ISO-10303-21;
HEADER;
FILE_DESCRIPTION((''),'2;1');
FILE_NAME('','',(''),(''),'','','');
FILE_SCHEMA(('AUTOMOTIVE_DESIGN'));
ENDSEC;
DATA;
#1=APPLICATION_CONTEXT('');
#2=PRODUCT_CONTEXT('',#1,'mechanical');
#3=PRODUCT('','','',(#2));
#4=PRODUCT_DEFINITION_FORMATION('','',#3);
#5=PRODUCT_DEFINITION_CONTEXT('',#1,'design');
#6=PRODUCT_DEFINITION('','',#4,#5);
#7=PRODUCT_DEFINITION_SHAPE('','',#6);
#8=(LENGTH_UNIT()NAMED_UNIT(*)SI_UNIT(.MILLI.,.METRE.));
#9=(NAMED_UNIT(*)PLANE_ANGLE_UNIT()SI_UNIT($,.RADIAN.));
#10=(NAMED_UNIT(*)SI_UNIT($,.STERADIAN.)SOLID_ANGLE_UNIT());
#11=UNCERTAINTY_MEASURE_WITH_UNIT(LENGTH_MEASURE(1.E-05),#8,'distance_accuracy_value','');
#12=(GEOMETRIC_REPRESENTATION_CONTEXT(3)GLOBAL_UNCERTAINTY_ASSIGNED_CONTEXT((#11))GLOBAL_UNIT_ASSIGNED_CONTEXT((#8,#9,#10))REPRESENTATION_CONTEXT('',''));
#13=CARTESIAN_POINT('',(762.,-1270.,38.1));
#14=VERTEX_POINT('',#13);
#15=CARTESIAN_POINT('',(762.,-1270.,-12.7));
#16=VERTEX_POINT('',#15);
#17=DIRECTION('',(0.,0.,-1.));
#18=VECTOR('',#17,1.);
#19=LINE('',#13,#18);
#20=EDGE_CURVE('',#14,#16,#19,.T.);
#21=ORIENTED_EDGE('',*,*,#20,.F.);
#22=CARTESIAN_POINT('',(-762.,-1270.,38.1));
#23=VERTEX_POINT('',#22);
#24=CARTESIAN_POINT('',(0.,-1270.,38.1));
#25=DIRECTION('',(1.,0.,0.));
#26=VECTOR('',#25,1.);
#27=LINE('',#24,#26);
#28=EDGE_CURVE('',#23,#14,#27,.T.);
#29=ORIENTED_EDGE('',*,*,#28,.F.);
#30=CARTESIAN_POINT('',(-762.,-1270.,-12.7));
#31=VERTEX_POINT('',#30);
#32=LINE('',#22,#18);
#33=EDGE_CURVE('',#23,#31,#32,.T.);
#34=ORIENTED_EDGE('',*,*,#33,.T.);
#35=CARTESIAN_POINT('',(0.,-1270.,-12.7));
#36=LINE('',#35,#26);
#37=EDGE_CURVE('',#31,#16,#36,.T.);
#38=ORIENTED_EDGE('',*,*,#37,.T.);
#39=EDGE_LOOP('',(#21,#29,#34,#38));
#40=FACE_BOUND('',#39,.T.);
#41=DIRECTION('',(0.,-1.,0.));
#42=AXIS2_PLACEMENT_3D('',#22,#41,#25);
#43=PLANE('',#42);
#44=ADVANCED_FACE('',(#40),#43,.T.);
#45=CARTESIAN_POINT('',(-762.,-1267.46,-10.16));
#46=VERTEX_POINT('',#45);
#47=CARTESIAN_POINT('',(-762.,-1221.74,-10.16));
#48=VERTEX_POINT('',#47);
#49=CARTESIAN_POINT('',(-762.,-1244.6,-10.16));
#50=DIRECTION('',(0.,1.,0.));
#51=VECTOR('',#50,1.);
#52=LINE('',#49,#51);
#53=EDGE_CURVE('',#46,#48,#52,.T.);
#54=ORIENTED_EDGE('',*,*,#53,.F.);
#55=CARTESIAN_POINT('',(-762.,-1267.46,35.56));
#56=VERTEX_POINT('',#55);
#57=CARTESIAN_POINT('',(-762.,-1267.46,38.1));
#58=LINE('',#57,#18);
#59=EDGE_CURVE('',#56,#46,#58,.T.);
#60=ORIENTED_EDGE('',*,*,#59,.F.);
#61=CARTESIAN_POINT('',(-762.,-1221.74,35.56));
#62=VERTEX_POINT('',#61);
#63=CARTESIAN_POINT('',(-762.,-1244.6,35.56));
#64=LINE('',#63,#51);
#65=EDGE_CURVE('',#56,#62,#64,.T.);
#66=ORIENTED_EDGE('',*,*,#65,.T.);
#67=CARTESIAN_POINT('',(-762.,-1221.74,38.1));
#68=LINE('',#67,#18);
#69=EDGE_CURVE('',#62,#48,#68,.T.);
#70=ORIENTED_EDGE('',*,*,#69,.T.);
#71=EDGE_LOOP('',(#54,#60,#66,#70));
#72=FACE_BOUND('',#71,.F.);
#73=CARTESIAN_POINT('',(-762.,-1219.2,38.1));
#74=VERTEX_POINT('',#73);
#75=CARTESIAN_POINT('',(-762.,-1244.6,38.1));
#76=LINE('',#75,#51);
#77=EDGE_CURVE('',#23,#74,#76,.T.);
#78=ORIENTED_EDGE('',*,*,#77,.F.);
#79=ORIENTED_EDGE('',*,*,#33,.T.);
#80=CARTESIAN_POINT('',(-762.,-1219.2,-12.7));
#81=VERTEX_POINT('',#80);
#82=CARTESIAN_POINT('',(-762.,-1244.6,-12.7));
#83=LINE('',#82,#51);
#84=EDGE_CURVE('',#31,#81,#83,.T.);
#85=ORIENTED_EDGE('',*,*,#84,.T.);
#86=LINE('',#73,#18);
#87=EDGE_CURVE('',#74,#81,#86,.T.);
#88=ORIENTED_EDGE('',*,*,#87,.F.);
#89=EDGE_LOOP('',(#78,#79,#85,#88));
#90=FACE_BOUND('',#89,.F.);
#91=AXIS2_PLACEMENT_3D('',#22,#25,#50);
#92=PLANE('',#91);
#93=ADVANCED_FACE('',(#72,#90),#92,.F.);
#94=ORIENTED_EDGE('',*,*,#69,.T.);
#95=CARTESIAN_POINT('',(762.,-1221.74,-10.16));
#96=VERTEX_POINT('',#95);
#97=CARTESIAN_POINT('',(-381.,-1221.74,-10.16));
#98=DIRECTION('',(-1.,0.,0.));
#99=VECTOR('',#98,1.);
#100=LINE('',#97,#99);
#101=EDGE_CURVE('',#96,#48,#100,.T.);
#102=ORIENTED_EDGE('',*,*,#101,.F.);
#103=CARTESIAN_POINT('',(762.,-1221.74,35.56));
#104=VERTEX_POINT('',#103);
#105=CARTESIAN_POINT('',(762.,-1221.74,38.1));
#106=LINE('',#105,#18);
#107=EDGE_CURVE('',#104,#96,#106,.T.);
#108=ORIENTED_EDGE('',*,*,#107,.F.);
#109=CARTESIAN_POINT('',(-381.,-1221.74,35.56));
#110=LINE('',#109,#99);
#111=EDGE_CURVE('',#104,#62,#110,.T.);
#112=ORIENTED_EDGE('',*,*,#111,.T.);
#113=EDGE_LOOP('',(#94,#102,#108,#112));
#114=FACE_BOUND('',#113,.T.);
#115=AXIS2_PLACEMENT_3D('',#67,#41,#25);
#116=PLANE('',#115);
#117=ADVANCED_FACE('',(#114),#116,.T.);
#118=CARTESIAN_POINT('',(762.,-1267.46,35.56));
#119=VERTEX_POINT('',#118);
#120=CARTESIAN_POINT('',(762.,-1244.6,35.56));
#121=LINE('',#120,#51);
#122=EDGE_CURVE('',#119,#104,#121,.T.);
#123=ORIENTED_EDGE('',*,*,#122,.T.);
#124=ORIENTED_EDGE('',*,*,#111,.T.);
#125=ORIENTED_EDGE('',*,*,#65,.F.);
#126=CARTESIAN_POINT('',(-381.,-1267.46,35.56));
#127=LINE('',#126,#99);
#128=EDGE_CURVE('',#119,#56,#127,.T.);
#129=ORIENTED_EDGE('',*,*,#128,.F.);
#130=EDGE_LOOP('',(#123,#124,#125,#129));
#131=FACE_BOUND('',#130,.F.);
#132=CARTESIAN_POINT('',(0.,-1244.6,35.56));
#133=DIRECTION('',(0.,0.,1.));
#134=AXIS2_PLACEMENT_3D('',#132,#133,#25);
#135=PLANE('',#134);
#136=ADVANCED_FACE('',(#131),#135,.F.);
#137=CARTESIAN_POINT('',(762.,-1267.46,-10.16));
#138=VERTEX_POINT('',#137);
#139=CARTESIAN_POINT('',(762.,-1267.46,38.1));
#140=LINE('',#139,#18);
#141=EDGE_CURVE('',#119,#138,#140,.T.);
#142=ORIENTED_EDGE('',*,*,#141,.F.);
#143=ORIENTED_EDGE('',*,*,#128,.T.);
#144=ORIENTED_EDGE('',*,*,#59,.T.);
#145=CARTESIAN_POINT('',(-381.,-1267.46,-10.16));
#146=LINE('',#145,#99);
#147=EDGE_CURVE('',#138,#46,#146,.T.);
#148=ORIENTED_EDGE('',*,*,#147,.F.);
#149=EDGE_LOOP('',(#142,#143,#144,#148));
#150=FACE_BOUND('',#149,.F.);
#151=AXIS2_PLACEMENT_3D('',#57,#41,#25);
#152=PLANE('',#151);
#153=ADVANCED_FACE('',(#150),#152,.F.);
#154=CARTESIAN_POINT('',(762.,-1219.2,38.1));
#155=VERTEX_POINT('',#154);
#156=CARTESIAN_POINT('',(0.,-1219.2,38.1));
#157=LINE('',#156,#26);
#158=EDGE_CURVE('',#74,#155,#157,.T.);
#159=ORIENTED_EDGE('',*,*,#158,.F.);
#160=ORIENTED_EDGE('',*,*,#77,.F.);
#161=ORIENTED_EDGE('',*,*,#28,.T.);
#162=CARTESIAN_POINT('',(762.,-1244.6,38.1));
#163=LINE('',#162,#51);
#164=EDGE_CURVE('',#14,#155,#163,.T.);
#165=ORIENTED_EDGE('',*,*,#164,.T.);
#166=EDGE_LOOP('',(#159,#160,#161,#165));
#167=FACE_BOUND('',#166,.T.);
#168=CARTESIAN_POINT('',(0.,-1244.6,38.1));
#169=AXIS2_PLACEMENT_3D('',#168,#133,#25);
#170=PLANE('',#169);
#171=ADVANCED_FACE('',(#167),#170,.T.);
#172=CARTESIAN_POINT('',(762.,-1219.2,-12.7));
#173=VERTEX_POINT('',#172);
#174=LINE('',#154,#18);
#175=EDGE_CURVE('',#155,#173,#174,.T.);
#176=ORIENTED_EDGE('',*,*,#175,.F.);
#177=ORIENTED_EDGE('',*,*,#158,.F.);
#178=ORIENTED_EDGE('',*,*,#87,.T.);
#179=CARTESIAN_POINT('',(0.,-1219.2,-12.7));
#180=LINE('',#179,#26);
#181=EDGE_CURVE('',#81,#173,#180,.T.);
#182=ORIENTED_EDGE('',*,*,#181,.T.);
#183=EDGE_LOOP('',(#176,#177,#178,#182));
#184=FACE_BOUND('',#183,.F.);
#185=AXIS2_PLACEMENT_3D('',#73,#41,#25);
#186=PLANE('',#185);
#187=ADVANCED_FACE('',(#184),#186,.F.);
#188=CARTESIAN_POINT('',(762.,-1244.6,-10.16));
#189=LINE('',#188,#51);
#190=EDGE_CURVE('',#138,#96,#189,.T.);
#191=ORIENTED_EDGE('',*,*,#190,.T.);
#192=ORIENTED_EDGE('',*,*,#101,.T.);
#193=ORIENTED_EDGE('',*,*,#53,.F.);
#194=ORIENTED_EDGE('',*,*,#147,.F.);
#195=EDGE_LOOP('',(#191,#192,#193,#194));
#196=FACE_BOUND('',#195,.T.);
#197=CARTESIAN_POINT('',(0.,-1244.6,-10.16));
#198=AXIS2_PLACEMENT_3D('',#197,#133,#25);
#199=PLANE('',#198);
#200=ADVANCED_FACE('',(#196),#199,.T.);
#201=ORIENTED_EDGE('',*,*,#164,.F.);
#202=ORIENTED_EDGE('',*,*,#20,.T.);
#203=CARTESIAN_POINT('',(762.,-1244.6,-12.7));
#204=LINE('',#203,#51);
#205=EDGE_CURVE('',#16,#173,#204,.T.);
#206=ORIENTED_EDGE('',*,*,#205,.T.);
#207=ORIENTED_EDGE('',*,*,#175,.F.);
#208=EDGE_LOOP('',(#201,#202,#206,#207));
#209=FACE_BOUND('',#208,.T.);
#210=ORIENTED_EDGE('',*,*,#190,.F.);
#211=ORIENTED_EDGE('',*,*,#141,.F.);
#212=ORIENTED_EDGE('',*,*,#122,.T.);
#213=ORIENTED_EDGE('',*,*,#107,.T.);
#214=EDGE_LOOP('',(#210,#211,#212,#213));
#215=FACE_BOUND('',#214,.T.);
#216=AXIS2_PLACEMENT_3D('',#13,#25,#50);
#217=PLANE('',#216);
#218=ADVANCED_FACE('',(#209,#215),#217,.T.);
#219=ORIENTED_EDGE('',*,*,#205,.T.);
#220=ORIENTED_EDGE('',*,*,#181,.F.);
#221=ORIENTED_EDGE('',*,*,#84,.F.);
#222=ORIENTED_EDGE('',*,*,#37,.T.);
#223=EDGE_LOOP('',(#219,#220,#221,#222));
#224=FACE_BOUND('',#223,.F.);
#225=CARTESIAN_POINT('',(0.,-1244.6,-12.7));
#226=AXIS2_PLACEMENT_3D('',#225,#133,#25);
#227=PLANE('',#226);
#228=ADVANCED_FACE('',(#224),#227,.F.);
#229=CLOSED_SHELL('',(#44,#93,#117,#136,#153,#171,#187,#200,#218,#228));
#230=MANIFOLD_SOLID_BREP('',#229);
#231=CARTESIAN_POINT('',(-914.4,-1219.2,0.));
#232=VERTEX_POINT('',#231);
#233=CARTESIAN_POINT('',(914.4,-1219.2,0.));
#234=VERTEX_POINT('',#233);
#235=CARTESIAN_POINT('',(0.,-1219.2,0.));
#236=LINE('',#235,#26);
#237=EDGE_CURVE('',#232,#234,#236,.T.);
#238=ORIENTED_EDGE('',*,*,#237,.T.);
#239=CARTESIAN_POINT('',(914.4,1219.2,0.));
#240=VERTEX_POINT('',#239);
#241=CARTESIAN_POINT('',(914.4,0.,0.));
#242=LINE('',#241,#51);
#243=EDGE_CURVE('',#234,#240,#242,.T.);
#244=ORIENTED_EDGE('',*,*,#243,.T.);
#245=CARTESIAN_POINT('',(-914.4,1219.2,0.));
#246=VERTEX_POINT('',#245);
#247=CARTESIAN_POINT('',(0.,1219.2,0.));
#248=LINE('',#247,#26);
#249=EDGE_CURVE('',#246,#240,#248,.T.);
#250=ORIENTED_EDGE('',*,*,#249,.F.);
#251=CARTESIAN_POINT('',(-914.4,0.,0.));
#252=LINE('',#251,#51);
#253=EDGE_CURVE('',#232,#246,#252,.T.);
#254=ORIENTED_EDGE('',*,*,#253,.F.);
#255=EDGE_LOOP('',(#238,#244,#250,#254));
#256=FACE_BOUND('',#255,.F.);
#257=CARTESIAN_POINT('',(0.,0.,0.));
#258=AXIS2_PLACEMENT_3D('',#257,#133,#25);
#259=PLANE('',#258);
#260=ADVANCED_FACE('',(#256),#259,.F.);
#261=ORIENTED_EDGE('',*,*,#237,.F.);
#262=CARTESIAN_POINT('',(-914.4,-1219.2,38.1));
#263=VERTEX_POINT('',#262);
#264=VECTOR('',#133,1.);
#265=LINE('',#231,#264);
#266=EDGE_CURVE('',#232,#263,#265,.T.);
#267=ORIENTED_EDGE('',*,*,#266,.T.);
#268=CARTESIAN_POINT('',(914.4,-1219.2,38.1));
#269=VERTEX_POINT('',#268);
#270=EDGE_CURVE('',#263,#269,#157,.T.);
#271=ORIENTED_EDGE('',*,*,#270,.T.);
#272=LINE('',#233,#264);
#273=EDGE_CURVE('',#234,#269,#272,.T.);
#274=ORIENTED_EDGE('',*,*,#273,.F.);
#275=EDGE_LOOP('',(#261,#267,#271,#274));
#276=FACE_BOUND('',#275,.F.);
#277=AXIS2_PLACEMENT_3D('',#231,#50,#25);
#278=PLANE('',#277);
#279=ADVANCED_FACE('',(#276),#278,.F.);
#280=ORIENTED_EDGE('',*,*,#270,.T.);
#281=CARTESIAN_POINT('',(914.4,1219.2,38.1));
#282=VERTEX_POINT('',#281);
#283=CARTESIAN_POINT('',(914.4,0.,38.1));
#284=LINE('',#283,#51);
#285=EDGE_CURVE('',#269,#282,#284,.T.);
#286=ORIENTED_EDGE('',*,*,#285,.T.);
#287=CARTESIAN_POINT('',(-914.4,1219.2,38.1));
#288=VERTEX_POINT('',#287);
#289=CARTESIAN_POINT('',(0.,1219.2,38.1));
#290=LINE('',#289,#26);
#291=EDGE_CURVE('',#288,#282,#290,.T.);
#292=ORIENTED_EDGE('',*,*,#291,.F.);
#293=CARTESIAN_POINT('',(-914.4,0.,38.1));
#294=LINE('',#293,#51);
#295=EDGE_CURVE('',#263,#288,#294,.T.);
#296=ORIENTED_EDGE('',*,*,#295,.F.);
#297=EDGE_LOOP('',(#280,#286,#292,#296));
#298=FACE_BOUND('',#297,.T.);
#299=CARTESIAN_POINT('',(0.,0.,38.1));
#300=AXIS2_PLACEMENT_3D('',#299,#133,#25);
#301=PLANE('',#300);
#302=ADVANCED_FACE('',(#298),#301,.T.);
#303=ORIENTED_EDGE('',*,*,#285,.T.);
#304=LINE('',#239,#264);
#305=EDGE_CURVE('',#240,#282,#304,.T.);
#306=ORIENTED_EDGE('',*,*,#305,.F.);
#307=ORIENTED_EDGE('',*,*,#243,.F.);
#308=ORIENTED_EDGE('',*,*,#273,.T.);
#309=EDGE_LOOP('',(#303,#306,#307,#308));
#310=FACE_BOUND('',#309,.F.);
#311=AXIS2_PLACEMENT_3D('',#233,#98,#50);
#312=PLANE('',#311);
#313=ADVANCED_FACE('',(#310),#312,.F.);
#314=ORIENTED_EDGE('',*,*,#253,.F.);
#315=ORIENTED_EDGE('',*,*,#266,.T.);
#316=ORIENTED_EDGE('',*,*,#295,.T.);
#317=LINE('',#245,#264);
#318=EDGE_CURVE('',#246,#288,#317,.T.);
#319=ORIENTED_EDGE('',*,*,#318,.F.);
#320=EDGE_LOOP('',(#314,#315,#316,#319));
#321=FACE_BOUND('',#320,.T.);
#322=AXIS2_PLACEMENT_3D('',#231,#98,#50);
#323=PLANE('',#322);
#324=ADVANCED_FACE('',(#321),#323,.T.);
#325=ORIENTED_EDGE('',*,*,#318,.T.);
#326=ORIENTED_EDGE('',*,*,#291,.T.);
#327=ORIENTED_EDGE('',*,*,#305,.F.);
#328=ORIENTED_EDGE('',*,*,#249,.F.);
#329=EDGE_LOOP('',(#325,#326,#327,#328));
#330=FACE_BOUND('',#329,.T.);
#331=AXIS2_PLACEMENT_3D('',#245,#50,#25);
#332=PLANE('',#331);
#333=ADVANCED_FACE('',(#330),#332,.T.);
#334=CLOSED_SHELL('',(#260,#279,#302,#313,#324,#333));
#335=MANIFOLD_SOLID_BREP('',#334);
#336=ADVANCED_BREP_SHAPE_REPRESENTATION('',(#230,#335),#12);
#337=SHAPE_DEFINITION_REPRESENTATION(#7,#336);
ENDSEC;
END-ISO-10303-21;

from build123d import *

# Parameters (mm, degrees)
F0_W     = 1828.8
F0_H     = 2438.4
F1_DEPTH = 38.1
F2_W     = 1524
F2_H     = 50.8
F3_DEPTH = 50.8
F4_T     = -2.54


with BuildPart() as f1:
    # F0 (on Top) → F1 (new body)
    with BuildSketch(Plane.XY):
        Rectangle(F0_W, F0_H)
    extrude(amount=F1_DEPTH)


with BuildPart() as f3:
    # F2 (on face) → F3 (new body)
    with BuildSketch(Plane.XY.offset(38.1)):
        with Locations((0, -1244.6)):
            Rectangle(F2_W, F2_H)
    extrude(amount=-F3_DEPTH)

    # F4
    f4_openings = [f3.faces().sort_by_distance(p)[0] for p in [
        (762, -1244.6, 12.7),
        (-762, -1244.6, 12.7),
    ]]
    offset(amount=F4_T, openings=f4_openings)


solid = Compound([f1.part, f3.part])
